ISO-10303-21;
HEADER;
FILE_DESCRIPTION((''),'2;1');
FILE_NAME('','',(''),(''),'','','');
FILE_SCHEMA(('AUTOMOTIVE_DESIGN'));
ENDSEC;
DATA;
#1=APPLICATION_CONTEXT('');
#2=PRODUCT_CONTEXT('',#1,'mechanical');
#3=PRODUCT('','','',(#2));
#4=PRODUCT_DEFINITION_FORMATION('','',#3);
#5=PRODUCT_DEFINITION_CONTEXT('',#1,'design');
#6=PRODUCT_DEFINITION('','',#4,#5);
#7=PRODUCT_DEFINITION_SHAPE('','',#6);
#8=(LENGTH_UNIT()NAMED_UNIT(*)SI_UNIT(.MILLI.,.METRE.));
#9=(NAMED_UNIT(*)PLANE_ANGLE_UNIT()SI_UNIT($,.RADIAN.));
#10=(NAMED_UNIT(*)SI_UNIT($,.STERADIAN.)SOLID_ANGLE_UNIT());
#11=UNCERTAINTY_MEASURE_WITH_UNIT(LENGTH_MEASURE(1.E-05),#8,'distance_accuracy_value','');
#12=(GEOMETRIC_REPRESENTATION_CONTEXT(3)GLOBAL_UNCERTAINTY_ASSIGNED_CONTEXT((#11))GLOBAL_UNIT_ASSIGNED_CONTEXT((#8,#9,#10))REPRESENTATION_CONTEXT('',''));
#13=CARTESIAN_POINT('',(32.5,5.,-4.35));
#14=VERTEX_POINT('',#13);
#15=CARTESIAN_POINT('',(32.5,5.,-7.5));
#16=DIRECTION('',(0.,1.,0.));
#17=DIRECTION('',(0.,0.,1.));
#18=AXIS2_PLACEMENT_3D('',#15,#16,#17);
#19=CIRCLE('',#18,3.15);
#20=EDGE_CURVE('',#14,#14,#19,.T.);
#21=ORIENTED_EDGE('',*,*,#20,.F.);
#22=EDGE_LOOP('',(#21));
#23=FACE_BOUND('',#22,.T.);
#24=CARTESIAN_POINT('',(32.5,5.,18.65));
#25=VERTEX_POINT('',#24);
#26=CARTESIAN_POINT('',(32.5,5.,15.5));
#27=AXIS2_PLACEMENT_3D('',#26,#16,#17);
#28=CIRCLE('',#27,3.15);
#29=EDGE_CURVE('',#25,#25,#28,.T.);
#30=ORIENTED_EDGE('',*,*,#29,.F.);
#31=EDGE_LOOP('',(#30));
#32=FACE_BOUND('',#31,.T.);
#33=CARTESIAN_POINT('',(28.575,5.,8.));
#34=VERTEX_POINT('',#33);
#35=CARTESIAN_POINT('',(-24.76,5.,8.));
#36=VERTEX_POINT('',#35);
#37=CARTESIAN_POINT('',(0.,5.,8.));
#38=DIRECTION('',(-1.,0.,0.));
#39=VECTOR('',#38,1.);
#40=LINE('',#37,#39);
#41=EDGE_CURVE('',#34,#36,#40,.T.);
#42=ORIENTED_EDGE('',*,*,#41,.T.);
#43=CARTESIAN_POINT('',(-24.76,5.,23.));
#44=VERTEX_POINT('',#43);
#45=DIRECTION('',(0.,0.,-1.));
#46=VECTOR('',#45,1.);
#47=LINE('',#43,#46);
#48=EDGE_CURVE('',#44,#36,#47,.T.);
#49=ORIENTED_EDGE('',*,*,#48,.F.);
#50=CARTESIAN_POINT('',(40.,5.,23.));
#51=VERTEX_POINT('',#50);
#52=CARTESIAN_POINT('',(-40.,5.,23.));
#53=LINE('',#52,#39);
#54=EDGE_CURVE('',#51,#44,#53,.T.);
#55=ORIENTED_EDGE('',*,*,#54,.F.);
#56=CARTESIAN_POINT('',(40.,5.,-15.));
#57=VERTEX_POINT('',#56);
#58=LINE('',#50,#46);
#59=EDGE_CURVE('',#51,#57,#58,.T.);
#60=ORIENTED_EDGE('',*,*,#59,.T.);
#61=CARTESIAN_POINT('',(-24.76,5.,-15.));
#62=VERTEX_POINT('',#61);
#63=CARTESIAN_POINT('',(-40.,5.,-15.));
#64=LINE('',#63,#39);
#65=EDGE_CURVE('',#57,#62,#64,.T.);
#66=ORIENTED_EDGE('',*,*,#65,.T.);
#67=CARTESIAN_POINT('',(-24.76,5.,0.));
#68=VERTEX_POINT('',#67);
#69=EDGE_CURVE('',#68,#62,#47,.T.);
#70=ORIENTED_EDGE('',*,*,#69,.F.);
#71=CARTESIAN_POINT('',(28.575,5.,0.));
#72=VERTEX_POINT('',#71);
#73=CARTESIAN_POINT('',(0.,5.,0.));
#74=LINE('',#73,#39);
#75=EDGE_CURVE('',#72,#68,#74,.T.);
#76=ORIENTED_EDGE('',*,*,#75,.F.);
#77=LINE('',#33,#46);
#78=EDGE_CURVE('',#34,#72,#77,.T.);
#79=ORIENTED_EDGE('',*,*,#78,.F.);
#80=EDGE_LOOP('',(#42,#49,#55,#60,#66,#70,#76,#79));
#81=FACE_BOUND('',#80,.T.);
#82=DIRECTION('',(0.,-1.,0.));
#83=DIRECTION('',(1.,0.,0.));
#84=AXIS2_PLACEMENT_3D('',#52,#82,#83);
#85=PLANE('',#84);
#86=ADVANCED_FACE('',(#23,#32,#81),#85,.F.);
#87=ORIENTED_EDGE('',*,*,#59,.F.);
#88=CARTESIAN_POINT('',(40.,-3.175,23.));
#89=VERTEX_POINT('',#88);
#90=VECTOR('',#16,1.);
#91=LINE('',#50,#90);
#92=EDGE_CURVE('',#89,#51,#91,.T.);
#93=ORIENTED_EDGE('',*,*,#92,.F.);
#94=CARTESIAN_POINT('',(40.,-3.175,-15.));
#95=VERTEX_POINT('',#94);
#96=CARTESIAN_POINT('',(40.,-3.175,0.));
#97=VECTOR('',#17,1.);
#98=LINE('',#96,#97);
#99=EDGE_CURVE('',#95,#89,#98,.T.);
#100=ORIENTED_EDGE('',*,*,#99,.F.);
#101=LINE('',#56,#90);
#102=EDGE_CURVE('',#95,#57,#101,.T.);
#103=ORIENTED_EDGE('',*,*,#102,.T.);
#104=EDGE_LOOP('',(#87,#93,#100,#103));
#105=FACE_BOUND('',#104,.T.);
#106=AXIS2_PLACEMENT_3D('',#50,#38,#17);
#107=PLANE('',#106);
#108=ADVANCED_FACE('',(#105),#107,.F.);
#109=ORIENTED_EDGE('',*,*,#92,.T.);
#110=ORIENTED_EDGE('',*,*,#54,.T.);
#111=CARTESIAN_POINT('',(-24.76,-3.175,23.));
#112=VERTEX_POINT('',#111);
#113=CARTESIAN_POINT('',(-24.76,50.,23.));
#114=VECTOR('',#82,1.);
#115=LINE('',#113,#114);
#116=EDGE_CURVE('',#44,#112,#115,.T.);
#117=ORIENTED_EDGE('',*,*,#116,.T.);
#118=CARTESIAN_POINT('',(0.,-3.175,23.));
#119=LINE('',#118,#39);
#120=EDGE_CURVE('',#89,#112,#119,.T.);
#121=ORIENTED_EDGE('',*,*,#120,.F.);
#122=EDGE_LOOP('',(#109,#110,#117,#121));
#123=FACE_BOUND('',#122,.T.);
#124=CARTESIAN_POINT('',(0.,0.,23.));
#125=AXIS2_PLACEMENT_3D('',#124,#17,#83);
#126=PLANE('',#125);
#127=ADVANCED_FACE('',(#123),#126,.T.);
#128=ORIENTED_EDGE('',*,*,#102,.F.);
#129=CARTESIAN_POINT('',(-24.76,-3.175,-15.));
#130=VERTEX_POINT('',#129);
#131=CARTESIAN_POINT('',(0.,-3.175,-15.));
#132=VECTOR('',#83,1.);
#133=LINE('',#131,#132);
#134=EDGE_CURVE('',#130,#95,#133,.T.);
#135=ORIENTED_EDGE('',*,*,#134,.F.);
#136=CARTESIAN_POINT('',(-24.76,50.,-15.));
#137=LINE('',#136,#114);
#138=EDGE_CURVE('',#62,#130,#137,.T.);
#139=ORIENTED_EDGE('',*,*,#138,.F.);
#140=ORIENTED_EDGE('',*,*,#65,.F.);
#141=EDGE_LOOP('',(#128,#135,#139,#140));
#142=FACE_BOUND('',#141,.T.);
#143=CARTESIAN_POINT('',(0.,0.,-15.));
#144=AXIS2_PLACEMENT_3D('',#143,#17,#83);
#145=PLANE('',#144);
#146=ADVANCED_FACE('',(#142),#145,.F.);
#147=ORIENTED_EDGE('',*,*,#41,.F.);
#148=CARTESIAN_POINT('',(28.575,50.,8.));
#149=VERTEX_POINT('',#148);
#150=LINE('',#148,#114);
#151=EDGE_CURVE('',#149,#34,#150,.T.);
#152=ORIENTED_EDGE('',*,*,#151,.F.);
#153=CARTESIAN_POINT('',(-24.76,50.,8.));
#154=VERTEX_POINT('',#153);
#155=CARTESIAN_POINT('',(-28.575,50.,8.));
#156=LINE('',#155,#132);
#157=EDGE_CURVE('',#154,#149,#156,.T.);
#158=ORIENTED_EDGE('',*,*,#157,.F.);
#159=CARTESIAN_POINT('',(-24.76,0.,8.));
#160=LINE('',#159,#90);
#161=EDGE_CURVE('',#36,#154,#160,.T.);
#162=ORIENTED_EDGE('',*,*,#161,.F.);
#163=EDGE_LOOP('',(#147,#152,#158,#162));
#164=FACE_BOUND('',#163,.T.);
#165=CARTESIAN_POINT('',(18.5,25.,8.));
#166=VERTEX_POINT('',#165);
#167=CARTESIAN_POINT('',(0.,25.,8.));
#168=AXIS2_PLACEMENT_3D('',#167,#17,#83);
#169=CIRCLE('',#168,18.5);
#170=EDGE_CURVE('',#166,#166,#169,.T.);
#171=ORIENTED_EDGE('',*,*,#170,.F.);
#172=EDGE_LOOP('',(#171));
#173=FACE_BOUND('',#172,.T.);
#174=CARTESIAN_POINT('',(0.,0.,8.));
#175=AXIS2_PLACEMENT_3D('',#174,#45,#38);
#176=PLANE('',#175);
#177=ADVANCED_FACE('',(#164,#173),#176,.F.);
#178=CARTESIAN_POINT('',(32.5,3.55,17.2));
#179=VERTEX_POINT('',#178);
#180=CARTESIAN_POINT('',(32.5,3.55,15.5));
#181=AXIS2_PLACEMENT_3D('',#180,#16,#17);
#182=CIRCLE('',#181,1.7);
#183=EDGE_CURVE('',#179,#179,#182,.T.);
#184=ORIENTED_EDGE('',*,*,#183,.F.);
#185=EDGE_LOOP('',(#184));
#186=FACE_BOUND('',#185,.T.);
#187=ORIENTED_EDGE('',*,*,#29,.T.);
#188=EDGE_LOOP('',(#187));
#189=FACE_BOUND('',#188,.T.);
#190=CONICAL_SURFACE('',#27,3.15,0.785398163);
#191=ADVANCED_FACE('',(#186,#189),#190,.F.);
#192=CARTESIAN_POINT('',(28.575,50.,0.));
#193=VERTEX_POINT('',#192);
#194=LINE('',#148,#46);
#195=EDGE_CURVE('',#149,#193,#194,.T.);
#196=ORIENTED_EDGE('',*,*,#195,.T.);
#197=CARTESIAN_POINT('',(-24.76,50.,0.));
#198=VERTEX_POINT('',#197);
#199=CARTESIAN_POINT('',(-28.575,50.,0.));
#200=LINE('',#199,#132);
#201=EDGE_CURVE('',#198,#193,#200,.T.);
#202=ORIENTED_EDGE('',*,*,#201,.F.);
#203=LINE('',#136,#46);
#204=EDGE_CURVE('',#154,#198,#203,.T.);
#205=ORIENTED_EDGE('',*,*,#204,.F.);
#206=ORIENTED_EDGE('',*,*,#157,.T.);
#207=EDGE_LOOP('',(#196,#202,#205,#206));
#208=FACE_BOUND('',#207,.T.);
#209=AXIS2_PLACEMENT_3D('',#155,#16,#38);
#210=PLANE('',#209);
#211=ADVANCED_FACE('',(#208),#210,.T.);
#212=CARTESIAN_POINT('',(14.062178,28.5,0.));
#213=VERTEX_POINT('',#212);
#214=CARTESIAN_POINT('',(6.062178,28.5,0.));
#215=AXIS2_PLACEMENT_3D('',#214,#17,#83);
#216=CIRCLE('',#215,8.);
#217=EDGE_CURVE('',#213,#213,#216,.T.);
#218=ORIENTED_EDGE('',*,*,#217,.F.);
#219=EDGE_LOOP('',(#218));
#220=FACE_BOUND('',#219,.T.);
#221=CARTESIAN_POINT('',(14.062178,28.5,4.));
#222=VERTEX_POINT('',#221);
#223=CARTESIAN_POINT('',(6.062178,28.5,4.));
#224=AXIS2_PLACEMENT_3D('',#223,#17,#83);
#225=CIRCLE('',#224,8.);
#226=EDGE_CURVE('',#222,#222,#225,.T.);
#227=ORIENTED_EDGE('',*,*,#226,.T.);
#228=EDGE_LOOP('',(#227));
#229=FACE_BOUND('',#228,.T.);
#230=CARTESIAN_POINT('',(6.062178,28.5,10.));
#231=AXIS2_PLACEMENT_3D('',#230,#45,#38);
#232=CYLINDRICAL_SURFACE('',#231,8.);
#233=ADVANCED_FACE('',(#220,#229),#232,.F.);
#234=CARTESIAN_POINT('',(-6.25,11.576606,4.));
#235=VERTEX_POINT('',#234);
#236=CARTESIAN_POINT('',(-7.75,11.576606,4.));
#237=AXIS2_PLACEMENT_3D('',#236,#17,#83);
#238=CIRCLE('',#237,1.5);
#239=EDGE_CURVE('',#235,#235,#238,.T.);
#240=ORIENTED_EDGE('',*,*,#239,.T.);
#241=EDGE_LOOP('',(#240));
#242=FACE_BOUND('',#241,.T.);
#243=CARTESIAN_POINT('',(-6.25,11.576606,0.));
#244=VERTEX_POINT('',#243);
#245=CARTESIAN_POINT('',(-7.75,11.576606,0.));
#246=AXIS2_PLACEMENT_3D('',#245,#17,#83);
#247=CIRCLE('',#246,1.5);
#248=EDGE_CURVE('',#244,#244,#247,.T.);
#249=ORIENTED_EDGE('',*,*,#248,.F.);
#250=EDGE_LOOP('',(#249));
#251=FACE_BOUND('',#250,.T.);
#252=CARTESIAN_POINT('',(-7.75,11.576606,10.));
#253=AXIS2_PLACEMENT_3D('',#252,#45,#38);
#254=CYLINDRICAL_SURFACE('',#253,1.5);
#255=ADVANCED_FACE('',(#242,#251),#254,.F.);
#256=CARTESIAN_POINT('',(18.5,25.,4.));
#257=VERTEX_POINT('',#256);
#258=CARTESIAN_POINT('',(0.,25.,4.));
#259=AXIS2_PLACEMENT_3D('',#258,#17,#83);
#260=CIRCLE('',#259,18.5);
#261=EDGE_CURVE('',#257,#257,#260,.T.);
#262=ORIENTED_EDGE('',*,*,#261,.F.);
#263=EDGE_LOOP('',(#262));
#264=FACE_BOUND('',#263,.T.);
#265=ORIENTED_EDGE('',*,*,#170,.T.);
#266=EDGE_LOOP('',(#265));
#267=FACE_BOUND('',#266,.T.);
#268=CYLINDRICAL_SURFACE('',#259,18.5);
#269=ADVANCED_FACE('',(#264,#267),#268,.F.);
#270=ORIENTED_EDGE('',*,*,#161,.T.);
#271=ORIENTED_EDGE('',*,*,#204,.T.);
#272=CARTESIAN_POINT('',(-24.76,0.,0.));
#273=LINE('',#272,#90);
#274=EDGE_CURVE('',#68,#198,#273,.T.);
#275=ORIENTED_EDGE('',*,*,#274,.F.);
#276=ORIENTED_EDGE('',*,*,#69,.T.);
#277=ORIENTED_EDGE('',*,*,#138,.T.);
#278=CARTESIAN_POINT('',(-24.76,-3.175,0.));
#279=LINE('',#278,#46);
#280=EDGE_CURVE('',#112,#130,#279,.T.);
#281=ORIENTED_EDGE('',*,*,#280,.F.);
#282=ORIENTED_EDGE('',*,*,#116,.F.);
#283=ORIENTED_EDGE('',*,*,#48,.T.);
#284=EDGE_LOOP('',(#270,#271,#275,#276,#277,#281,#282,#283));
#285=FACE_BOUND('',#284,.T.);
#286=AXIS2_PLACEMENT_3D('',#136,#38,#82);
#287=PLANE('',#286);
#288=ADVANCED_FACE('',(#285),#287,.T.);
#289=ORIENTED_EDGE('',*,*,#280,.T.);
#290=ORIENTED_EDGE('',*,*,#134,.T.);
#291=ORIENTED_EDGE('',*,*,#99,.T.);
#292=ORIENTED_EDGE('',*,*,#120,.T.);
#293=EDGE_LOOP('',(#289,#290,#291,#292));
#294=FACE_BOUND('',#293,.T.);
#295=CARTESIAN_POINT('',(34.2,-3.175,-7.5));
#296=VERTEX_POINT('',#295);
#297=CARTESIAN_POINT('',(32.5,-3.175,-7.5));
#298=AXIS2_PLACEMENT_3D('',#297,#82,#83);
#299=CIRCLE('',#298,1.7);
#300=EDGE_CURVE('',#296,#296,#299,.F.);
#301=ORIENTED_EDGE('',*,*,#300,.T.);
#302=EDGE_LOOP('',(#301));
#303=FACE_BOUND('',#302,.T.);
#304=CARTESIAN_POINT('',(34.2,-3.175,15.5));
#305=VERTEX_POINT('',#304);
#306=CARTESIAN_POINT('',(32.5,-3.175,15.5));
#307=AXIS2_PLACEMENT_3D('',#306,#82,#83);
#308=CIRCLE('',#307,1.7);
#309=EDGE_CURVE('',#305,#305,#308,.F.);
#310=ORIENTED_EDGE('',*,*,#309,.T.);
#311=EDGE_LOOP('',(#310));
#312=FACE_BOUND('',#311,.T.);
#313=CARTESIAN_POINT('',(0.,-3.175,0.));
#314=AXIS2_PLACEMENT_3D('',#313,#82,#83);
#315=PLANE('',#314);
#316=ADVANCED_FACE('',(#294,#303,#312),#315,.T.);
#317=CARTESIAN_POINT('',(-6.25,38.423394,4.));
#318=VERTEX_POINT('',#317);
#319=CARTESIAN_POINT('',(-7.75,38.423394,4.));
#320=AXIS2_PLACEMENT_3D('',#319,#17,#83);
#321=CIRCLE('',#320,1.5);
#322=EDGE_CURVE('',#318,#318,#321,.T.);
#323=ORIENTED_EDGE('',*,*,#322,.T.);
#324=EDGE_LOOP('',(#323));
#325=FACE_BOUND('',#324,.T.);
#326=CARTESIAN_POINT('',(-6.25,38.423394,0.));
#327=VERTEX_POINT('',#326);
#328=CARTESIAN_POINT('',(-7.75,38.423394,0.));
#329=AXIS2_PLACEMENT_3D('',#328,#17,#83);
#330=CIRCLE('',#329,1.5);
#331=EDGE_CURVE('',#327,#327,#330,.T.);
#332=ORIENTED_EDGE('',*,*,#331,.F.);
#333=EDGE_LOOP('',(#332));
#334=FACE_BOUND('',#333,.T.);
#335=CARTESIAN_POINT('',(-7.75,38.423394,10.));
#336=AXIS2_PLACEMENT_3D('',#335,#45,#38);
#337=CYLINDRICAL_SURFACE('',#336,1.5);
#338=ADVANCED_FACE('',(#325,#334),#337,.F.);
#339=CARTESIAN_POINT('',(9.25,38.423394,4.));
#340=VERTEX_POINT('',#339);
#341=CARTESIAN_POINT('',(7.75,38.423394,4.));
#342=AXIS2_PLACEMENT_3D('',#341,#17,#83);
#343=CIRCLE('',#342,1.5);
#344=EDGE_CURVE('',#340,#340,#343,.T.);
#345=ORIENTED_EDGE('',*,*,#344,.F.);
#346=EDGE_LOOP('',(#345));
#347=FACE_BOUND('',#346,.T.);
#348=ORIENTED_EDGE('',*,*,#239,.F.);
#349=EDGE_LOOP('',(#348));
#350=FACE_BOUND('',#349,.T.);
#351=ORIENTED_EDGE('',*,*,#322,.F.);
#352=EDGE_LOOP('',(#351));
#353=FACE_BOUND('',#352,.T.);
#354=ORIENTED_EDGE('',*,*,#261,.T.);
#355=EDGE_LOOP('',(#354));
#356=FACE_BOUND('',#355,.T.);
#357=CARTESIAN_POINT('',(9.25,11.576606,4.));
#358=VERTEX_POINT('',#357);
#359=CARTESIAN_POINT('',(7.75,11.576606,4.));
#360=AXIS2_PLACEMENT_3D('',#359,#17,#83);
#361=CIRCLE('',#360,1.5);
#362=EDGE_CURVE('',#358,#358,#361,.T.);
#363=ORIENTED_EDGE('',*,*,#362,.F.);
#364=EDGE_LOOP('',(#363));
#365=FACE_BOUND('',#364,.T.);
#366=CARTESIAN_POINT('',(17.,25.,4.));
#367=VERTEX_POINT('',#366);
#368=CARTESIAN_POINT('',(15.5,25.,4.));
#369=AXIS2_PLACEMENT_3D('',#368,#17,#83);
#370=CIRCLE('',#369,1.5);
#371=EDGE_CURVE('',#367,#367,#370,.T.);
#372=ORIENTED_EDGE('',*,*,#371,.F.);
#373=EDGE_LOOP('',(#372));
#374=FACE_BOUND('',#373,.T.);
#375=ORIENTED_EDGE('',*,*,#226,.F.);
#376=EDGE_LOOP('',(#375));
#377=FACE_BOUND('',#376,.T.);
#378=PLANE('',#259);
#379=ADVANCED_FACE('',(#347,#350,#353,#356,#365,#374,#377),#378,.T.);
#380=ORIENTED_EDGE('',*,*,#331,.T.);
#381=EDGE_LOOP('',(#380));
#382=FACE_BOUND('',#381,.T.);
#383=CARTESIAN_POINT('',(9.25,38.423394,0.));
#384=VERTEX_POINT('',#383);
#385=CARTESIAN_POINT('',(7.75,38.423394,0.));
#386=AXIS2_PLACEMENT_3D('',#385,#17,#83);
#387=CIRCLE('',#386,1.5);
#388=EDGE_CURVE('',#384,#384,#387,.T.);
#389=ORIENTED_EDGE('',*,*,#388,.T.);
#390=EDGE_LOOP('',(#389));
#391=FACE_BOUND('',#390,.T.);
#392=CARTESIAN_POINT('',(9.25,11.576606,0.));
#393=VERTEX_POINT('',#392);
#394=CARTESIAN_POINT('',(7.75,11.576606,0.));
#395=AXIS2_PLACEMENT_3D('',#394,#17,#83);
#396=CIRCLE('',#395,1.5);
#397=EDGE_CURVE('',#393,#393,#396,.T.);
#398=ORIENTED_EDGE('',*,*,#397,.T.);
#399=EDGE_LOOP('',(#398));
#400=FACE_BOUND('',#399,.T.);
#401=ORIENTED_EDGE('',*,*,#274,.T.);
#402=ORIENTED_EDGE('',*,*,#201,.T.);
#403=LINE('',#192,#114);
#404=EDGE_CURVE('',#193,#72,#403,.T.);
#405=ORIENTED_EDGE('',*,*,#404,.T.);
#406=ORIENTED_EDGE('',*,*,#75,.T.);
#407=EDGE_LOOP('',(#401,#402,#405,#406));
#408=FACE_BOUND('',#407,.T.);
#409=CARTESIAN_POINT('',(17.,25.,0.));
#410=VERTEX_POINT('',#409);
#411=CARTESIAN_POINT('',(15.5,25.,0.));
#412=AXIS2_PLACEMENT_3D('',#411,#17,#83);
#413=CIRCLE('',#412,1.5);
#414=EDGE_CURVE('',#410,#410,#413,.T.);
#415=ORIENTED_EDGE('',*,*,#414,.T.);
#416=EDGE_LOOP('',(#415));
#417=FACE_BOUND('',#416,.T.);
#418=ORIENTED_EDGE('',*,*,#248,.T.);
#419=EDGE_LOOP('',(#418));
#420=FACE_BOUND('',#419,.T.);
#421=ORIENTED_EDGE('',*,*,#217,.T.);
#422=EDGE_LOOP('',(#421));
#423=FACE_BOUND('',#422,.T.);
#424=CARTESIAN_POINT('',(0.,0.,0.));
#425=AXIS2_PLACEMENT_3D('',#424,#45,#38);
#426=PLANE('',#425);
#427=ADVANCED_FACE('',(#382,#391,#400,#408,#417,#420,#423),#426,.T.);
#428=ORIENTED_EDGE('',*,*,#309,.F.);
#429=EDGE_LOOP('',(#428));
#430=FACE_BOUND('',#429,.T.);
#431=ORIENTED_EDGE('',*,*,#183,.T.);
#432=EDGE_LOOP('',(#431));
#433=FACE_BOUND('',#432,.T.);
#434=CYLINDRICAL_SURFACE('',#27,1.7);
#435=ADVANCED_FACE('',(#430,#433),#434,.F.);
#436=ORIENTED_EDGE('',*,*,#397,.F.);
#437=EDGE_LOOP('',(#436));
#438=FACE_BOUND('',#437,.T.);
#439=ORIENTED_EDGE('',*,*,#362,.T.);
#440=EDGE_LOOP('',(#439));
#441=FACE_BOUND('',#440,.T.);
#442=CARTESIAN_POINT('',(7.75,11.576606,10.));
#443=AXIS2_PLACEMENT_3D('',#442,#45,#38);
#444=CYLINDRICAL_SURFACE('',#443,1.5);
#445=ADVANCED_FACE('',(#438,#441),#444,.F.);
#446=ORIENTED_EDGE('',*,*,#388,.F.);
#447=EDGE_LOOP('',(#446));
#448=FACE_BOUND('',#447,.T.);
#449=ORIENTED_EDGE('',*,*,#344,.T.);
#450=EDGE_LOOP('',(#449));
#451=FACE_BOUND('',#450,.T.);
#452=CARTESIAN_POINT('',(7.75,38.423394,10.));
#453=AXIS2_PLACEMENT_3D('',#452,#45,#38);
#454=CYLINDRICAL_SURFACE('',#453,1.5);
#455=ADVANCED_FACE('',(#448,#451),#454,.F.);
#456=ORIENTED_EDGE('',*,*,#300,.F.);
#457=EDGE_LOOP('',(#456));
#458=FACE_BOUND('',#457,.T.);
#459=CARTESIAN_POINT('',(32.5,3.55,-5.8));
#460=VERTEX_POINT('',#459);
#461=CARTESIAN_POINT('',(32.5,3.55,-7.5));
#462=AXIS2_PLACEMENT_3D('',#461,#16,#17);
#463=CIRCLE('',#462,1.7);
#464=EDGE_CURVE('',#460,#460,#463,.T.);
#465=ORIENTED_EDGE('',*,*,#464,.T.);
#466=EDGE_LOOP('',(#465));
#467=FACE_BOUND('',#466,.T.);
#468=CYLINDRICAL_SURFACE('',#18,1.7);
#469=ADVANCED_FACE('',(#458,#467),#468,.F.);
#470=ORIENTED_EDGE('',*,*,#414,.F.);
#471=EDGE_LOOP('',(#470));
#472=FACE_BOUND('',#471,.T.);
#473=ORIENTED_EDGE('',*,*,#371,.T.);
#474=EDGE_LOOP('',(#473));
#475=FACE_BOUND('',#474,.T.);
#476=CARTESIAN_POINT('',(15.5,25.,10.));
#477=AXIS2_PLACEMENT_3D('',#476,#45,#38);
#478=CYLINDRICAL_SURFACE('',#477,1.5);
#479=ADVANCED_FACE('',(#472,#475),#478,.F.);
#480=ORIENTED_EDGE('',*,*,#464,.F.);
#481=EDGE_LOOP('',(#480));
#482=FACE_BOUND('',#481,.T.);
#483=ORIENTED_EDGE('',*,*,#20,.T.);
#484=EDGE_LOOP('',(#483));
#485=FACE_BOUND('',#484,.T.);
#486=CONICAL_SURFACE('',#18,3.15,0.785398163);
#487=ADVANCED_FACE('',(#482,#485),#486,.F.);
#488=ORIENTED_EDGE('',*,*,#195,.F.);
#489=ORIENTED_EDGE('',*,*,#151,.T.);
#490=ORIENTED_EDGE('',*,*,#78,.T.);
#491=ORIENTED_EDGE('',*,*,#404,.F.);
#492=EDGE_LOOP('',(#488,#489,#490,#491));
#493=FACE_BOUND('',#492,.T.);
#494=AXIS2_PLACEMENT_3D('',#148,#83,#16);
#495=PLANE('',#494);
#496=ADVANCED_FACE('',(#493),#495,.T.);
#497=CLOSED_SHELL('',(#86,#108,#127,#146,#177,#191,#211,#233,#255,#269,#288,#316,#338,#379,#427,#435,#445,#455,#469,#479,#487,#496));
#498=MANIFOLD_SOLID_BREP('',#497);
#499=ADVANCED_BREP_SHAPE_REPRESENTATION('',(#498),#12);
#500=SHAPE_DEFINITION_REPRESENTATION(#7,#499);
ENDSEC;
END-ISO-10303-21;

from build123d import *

# Parameters (mm, degrees)
SKETCH3_W                                       = 57.15
SKETCH3_H                                       = 50
BOSS_EXTRUDE1_DEPTH                             = 8
SKETCH3_3_R                                     = 1.5
SKETCH3_3_R_2                                   = 8
CUT_EXTRUDE2_DEPTH                              = 10
SKETCH4_R                                       = 18.5
CUT_EXTRUDE3_DEPTH                              = 4
BOSS_EXTRUDE2_DEPTH                             = 15
BOSS_EXTRUDE2_DEPTH_BACK                        = 23
SKETCH6_W                                       = 80
SKETCH6_H                                       = 5
CSK_FOR_M3_FLAT_HEAD_MACHINE_SCREW1_D           = 3.4
CSK_FOR_M3_FLAT_HEAD_MACHINE_SCREW1_CSINK_D     = 6.3
CSK_FOR_M3_FLAT_HEAD_MACHINE_SCREW1_CSINK_ANGLE = 90
CUT_EXTRUDE8_REACH                              = 66.452
SKETCH14_W                                      = 15.24
SKETCH14_H                                      = 38
CUT_EXTRUDE8_DIRECTION_2_DEPTH                  = 45
BOSS_EXTRUDE5_START                             = 3.175
SKETCH15_W                                      = 64.76
SKETCH15_H                                      = 38
SKETCH15_R                                      = 1.7
BOSS_EXTRUDE5_DEPTH                             = 3.175


with BuildPart() as part:
    # Sketch3 → Boss-Extrude1 (new body)
    with BuildSketch(Plane.XY):
        with Locations((0, 25)):
            Rectangle(SKETCH3_W, SKETCH3_H)
    extrude(amount=BOSS_EXTRUDE1_DEPTH)

    # Sketch3<3> → Cut-Extrude2 (cut)
    with BuildSketch(Plane.XY):
        with Locations(Location((-7.75, 38.423393759, 0), (0, 0, 180))):
            Circle(SKETCH3_3_R)
        with Locations(Location((7.75, 38.423393759, 0), (0, 0, 180))):
            Circle(SKETCH3_3_R)
        with Locations(Location((-7.75, 11.576606241, 0), (0, 0, 180))):
            Circle(SKETCH3_3_R)
        with Locations(Location((7.75, 11.576606241, 0), (0, 0, 180))):
            Circle(SKETCH3_3_R)
        with Locations(Location((15.5, 25, 0), (0, 0, 180))):
            Circle(SKETCH3_3_R)
        with Locations(Location((6.062177825, 28.499999999, 0), (0, 0, 180))):
            Circle(SKETCH3_3_R_2)
    extrude(amount=CUT_EXTRUDE2_DEPTH, mode=Mode.SUBTRACT)

    # Sketch4 → Cut-Extrude3 (cut)
    with BuildSketch(Plane.XY.offset(8)):
        with Locations((0, 25)):
            Circle(SKETCH4_R)
    extrude(amount=-CUT_EXTRUDE3_DEPTH, mode=Mode.SUBTRACT)

    # Sketch6 → Boss-Extrude2 (add, two sides: drawn at the far end of the back side and taken through both)
    with BuildSketch(Plane.XY.offset(8).offset(-BOSS_EXTRUDE2_DEPTH_BACK)):
        with Locations((0, 2.5)):
            Rectangle(SKETCH6_W, SKETCH6_H)
    extrude(amount=BOSS_EXTRUDE2_DEPTH + BOSS_EXTRUDE2_DEPTH_BACK)

    # CSK for M3 Flat Head Machine Screw1 (through all)
    with Locations(Plane(origin=(0, 5, 0), x_dir=(1, 0, 0), z_dir=(0, 1, 0))):
        with Locations((-32.5, 7.5), (-32.5, -15.5), (32.5, -15.5), (32.5, 7.5)):
            CounterSinkHole(CSK_FOR_M3_FLAT_HEAD_MACHINE_SCREW1_D / 2, CSK_FOR_M3_FLAT_HEAD_MACHINE_SCREW1_CSINK_D / 2, counter_sink_angle=CSK_FOR_M3_FLAT_HEAD_MACHINE_SCREW1_CSINK_ANGLE)

    # Sketch14 → Cut-Extrude8 (cut, up to next)
    with BuildSketch(Plane(origin=(0, 5, 0), x_dir=(1, 0, 0), z_dir=(0, 1, 0)), mode=Mode.PRIVATE) as cut_extrude8_sk1:
        with Locations((-32.38, -4)):
            Rectangle(SKETCH14_W, SKETCH14_H)
    cut_extrude8_tool1 = extrude(cut_extrude8_sk1.sketch, amount=-CUT_EXTRUDE8_REACH, mode=Mode.PRIVATE) & part.part
    add(cut_extrude8_tool1.solids().sort_by_distance((-32.38, 5, 4))[0], mode=Mode.SUBTRACT)

    # Sketch14 → Cut-Extrude8 direction 2 (cut)
    with BuildSketch(Plane(origin=(0, 5, 0), x_dir=(1, 0, 0), z_dir=(0, 1, 0))):
        with Locations((-32.38, -4)):
            Rectangle(SKETCH14_W, SKETCH14_H)
    extrude(amount=CUT_EXTRUDE8_DIRECTION_2_DEPTH, mode=Mode.SUBTRACT)

    # Sketch15 → Boss-Extrude5 (add)
    with BuildSketch(Plane.XZ.offset(BOSS_EXTRUDE5_START)):
        with Locations((7.62, 4)):
            Rectangle(SKETCH15_W, SKETCH15_H)
        with Locations(Location((32.5, 15.5, 0), (0, 0, 90))):
            Circle(SKETCH15_R, mode=Mode.SUBTRACT)
        with Locations(Location((32.5, -7.5, 0), (0, 0, 90))):
            Circle(SKETCH15_R, mode=Mode.SUBTRACT)
    extrude(amount=-BOSS_EXTRUDE5_DEPTH)


solid = part.part
